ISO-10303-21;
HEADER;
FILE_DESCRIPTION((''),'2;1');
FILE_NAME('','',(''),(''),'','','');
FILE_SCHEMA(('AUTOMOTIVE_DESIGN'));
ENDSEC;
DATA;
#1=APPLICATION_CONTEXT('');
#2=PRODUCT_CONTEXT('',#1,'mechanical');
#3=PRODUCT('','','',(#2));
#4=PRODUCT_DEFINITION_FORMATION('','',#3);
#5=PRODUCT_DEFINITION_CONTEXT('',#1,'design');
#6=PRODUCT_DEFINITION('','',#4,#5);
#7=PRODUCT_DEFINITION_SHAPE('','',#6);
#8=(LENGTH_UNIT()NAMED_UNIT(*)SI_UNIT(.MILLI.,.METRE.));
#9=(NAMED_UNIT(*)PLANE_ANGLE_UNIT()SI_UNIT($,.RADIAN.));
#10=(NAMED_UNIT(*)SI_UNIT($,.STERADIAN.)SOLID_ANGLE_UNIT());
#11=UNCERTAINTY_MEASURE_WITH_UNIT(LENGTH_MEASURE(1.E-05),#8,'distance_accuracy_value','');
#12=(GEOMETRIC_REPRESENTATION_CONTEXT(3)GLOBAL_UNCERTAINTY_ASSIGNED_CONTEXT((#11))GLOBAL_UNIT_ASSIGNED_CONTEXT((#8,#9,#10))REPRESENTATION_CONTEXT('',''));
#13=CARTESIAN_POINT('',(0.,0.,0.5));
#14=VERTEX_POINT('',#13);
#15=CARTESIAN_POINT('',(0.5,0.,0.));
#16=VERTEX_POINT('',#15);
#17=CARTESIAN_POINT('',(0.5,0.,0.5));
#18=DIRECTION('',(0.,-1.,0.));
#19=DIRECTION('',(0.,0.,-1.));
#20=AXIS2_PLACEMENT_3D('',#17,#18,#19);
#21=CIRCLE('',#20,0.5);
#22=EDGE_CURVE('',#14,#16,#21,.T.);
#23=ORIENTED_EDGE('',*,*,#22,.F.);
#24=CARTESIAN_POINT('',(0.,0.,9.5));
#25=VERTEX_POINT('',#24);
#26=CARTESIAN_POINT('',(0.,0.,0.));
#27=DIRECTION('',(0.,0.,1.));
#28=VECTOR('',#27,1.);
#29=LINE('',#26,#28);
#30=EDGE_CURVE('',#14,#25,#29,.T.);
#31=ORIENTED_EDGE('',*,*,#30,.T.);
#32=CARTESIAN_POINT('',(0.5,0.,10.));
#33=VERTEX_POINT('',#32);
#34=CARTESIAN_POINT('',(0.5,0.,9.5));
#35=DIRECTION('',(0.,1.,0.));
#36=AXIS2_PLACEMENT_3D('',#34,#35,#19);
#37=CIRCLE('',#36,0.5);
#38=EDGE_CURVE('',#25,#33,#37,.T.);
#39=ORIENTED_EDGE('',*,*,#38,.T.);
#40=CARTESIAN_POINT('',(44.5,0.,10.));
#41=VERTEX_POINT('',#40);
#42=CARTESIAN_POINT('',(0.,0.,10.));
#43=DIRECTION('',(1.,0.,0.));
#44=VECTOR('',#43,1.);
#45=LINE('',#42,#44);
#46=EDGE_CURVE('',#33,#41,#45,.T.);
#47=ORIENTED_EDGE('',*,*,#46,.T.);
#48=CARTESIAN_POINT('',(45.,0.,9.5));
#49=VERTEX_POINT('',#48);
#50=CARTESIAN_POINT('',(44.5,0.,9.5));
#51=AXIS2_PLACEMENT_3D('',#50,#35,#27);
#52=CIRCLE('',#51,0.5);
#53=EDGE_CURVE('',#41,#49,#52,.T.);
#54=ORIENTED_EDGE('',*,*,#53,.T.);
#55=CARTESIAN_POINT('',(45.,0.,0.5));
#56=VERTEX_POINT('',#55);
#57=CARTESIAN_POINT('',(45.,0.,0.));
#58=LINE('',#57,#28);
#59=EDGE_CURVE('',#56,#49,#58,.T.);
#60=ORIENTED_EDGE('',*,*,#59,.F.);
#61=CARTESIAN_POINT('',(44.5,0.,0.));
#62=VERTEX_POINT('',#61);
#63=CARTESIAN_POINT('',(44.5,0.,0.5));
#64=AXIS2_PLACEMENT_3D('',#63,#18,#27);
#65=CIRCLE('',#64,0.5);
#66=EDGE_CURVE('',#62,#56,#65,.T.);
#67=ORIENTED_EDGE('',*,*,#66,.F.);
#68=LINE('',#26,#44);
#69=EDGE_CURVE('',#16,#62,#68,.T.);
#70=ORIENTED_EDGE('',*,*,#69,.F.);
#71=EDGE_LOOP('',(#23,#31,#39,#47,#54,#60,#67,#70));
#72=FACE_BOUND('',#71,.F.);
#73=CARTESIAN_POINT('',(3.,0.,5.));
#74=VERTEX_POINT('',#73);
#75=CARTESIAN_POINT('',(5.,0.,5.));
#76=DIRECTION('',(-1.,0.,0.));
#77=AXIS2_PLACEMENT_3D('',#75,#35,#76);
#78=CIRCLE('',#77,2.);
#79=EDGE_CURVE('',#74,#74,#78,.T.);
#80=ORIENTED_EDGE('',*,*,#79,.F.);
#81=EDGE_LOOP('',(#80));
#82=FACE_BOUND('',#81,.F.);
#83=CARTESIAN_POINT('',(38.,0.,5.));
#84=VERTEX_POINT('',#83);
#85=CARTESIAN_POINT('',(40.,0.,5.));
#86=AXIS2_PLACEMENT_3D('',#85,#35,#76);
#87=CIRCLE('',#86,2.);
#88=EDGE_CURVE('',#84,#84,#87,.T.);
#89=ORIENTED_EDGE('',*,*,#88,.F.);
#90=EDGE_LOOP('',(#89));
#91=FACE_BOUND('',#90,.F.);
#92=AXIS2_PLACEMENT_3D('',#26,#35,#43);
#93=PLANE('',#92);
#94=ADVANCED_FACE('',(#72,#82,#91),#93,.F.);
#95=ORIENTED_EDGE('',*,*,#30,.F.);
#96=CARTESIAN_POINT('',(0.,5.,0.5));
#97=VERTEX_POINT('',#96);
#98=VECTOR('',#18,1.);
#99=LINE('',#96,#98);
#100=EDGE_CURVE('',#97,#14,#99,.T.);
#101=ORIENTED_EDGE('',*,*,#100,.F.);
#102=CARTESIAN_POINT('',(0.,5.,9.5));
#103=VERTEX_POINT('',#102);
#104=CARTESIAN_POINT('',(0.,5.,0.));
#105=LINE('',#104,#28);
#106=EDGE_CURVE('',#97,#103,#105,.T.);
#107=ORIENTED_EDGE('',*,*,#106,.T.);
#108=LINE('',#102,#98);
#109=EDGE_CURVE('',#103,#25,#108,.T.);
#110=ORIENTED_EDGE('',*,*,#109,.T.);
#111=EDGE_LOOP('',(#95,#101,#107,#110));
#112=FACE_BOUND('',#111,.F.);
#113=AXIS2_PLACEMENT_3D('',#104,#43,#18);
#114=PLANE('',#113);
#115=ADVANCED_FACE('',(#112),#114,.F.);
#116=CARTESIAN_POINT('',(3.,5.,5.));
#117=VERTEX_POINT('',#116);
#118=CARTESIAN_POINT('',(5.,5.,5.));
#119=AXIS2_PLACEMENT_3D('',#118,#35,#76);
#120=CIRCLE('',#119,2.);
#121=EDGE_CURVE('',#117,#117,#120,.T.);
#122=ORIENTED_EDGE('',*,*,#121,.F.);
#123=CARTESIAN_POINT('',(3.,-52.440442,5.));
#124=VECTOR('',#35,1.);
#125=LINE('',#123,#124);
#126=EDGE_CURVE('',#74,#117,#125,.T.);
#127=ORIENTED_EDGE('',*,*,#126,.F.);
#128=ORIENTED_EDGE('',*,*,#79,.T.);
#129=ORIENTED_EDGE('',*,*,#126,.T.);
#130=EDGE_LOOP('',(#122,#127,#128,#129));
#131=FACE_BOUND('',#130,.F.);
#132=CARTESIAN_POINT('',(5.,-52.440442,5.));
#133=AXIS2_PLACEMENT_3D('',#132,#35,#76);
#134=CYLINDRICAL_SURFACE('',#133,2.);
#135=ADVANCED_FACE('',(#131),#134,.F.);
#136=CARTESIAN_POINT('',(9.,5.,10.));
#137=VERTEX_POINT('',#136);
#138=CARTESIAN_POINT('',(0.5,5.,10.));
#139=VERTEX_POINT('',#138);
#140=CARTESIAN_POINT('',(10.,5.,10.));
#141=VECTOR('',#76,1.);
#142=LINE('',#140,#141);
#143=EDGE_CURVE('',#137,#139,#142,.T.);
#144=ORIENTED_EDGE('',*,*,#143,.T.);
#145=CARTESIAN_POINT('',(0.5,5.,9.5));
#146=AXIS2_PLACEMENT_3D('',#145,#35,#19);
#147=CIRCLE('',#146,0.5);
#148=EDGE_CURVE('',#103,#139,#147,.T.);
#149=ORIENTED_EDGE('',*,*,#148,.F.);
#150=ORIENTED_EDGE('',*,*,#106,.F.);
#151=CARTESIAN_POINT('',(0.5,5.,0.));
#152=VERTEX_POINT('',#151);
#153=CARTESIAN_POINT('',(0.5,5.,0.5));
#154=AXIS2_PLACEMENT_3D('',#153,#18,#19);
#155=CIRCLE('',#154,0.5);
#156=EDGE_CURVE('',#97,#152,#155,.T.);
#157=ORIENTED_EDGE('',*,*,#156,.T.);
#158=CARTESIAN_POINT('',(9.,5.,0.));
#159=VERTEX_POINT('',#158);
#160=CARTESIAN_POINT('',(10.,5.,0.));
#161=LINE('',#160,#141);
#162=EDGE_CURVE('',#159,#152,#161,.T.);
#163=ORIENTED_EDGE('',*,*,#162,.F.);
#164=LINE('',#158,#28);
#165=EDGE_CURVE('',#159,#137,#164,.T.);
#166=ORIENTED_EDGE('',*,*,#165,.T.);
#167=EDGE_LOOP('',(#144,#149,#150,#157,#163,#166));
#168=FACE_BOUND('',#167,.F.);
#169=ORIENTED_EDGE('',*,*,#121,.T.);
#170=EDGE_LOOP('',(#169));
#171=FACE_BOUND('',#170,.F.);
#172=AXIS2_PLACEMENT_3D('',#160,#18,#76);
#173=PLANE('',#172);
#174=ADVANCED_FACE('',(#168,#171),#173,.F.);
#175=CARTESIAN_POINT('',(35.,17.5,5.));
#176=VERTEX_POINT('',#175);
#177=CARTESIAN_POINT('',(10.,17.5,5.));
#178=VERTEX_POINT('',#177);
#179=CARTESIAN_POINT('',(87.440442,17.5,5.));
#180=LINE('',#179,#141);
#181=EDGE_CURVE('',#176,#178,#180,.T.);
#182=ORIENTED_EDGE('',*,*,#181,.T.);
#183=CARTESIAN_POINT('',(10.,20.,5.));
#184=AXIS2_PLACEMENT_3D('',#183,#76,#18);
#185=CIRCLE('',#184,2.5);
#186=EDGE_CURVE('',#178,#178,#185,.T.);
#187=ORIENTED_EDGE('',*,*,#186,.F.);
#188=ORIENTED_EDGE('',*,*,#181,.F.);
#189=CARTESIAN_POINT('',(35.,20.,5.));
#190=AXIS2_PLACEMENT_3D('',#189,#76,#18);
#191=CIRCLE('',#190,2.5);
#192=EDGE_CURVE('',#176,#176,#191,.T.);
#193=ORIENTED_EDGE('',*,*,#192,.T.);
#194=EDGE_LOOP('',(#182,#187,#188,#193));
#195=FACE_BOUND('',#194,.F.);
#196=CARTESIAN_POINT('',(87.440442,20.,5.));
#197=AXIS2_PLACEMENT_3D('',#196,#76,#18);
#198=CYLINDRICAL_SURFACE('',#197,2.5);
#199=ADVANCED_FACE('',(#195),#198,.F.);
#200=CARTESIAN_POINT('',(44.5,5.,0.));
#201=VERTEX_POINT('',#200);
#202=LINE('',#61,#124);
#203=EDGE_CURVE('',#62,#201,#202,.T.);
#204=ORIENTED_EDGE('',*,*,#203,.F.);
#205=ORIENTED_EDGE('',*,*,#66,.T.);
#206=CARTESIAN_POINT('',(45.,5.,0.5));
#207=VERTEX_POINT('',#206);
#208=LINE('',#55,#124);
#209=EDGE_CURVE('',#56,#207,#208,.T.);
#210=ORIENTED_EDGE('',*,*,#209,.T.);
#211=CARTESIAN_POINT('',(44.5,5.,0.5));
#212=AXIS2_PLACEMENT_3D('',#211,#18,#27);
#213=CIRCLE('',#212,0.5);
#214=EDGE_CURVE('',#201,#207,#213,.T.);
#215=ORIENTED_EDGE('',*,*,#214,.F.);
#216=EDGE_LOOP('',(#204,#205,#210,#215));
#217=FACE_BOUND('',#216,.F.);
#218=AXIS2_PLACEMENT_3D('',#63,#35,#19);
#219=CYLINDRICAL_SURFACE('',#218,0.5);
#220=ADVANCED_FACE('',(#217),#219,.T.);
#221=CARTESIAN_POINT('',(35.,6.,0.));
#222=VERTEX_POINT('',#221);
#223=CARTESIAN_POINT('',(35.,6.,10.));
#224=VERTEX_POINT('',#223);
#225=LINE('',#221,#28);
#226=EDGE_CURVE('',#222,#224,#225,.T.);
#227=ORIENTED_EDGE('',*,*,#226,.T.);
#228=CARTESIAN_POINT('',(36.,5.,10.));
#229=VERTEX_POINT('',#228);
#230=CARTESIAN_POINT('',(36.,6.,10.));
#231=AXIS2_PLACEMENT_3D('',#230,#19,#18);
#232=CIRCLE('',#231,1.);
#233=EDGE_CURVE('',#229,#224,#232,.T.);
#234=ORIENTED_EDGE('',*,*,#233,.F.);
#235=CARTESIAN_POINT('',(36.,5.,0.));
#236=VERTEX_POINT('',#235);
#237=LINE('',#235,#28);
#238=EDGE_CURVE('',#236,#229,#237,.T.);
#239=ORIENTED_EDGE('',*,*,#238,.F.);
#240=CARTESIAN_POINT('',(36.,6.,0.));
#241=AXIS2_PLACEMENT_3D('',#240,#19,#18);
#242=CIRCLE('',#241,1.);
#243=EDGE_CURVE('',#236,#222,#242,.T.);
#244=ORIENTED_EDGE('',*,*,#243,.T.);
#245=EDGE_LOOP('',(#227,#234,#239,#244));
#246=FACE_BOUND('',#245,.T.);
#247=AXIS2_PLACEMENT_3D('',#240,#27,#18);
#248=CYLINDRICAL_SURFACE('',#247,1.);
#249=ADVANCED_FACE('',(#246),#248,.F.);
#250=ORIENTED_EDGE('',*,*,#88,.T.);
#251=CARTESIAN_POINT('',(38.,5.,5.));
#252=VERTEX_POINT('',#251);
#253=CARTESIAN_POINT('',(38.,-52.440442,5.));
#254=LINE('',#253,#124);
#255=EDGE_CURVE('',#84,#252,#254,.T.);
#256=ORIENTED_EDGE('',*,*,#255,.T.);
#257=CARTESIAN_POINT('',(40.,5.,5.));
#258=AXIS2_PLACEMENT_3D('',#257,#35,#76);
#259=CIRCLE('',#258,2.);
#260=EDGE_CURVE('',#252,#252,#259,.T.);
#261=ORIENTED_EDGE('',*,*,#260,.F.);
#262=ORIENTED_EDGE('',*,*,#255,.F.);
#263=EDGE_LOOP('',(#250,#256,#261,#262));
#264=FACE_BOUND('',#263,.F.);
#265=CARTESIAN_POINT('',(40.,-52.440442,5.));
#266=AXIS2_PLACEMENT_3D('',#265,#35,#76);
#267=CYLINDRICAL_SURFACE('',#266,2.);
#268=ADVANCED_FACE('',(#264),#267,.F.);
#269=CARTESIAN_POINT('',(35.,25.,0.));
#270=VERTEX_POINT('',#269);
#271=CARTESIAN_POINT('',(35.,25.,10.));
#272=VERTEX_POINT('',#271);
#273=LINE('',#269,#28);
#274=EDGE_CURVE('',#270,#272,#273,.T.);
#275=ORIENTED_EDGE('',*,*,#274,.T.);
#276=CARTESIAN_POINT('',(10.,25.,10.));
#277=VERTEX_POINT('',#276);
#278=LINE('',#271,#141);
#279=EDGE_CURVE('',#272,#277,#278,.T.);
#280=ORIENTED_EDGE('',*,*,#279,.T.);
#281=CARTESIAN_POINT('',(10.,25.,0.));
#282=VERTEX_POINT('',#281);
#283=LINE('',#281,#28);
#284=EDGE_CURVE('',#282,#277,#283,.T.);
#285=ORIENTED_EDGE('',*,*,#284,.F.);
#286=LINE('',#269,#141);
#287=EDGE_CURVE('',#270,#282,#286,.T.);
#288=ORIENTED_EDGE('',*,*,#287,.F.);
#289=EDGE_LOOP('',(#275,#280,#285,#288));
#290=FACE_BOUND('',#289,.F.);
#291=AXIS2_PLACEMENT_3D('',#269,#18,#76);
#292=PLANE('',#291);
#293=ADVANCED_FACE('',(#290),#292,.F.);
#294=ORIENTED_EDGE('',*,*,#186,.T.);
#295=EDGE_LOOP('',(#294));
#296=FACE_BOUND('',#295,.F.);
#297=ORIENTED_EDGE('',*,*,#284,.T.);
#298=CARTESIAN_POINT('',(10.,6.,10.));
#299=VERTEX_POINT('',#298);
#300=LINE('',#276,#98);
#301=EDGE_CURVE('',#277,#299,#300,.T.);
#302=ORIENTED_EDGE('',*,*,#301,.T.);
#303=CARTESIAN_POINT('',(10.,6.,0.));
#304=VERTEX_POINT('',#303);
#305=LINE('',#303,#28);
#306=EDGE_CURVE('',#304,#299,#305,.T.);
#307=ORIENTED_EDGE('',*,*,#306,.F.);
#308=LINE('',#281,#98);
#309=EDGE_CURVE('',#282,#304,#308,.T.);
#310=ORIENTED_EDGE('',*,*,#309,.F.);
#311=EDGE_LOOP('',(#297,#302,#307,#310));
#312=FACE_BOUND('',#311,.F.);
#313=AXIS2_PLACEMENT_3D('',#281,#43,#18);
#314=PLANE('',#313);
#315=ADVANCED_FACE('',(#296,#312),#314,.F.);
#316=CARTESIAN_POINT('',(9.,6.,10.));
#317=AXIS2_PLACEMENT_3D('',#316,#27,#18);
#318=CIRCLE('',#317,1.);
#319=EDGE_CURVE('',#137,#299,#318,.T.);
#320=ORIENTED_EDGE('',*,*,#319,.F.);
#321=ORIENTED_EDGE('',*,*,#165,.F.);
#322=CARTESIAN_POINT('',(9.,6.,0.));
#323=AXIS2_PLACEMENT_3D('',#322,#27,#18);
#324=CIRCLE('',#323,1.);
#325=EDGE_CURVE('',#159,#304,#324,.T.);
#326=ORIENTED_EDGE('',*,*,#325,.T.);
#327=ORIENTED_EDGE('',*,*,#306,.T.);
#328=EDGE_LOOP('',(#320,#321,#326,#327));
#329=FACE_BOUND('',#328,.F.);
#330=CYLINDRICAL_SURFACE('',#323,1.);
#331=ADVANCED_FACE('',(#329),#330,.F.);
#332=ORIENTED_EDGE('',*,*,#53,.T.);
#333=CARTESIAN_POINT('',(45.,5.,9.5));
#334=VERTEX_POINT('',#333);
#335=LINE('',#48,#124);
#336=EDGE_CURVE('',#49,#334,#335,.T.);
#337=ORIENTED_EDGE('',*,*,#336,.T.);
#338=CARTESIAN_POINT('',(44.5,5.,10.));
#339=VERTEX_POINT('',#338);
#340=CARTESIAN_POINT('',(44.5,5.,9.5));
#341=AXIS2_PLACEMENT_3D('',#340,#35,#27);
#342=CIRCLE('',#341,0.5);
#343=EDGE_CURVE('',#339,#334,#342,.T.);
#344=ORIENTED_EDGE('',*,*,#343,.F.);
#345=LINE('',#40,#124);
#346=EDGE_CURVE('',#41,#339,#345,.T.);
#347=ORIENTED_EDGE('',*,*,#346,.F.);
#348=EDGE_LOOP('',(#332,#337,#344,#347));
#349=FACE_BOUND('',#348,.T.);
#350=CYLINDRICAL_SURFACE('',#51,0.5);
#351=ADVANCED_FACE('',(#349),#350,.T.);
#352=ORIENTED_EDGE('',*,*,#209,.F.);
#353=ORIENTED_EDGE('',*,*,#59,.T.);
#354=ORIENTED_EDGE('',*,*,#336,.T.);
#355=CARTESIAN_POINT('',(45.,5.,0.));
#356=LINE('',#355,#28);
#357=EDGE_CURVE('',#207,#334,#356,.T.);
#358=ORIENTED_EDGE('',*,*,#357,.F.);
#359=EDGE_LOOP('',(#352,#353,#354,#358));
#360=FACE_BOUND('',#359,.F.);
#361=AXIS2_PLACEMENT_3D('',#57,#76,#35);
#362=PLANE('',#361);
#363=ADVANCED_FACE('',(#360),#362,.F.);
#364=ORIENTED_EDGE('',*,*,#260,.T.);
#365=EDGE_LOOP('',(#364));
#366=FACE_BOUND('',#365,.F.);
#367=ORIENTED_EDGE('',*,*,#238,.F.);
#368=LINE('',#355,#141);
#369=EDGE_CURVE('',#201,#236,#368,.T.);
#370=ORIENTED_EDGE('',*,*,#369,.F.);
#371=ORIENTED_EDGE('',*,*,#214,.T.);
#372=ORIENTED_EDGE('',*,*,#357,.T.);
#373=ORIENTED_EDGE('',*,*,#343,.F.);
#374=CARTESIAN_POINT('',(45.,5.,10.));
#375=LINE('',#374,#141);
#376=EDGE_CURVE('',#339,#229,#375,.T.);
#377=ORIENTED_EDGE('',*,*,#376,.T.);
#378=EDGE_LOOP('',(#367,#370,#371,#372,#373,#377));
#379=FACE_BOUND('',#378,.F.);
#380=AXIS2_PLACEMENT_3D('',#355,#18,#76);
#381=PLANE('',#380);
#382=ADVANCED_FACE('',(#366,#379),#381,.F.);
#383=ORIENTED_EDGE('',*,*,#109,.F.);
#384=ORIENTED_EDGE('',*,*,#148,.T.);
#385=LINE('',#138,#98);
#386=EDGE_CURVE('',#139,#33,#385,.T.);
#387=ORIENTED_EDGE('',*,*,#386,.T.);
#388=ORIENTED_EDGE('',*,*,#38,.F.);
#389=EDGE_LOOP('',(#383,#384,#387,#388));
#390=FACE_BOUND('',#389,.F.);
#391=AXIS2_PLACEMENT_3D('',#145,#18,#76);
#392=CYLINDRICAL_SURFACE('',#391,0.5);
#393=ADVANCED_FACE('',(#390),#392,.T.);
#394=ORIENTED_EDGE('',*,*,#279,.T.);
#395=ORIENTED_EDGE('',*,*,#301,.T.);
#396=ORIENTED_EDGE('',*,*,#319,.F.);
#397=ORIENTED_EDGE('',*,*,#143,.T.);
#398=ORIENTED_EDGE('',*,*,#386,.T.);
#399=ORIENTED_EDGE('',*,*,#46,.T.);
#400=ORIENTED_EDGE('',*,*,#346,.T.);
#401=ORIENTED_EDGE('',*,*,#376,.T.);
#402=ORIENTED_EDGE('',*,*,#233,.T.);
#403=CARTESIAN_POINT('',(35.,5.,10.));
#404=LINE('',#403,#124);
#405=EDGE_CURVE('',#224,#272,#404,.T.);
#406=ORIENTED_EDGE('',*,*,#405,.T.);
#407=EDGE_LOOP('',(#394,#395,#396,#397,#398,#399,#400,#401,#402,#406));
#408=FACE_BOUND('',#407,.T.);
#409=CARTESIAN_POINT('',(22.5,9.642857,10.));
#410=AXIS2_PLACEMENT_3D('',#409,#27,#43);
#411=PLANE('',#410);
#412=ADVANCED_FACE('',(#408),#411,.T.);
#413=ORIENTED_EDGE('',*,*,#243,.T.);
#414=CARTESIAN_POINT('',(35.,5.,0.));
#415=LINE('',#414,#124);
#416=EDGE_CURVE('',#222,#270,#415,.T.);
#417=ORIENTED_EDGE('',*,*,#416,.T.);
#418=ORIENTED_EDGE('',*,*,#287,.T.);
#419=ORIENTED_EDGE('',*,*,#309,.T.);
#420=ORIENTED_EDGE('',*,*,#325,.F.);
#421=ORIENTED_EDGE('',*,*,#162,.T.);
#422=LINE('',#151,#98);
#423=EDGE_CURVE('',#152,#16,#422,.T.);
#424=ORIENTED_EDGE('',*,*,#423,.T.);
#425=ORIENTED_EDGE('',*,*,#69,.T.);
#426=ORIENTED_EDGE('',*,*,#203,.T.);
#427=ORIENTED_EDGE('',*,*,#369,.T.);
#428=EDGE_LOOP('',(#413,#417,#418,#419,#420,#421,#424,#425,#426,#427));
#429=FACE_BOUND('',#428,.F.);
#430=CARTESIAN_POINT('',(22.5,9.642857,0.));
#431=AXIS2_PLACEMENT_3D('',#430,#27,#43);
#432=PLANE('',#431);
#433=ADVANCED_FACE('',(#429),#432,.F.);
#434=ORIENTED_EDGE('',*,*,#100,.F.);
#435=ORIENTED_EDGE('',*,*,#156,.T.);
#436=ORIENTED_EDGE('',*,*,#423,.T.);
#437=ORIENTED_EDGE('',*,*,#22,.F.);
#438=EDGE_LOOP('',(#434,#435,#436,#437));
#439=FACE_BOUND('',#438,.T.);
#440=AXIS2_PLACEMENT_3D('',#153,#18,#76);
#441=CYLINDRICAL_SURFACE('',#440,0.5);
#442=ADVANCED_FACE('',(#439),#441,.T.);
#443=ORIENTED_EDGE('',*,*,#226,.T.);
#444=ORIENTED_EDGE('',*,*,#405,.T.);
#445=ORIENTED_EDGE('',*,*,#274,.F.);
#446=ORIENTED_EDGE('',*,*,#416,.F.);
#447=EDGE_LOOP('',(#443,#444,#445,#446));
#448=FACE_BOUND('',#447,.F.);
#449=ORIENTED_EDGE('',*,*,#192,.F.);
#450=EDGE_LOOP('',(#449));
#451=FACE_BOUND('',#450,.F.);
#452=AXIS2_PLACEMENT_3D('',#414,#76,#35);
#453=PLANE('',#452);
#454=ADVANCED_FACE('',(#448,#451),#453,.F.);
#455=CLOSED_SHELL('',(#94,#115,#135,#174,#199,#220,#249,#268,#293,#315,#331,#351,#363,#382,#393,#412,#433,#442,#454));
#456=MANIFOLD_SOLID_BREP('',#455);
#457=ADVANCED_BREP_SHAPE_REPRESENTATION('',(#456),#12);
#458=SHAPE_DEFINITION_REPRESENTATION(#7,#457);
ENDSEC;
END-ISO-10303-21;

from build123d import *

# Parameters (mm, degrees)
F1_DEPTH = 10
F3_D     = 5
F5_D     = 4
F6_R     = 0.5
F7_R     = 1


with BuildPart() as f1:
    # F0 (on Top) → F1 (new body)
    with BuildSketch(Plane.XY):
        Polygon((0, 5), (0, 0), (45, 0), (45, 5), (35, 5), (35, 25), (10, 25), (10, 5), align=None)
    extrude(amount=F1_DEPTH)

    # F3 (through all)
    with Locations(Plane.YZ.offset(35)):
        with Locations((20, 5)):
            Hole(F3_D / 2)

    # F5 (through all)
    with Locations(Plane.XZ):
        with Locations((5, 5), (40, 5)):
            Hole(F5_D / 2)

    # F6
    f6_edges = [f1.edges().sort_by_distance(p)[0] for p in [
        (0, 2.5, 10),
        (0, 2.5, 0),
        (45, 2.5, 10),
        (45, 2.5, 0),
    ]]
    fillet(f6_edges, radius=F6_R)

    # F7
    f7_edges = [f1.edges().sort_by_distance(p)[0] for p in [
        (10, 5, 5),
        (35, 5, 5),
    ]]
    fillet(f7_edges, radius=F7_R)


solid = f1.part
